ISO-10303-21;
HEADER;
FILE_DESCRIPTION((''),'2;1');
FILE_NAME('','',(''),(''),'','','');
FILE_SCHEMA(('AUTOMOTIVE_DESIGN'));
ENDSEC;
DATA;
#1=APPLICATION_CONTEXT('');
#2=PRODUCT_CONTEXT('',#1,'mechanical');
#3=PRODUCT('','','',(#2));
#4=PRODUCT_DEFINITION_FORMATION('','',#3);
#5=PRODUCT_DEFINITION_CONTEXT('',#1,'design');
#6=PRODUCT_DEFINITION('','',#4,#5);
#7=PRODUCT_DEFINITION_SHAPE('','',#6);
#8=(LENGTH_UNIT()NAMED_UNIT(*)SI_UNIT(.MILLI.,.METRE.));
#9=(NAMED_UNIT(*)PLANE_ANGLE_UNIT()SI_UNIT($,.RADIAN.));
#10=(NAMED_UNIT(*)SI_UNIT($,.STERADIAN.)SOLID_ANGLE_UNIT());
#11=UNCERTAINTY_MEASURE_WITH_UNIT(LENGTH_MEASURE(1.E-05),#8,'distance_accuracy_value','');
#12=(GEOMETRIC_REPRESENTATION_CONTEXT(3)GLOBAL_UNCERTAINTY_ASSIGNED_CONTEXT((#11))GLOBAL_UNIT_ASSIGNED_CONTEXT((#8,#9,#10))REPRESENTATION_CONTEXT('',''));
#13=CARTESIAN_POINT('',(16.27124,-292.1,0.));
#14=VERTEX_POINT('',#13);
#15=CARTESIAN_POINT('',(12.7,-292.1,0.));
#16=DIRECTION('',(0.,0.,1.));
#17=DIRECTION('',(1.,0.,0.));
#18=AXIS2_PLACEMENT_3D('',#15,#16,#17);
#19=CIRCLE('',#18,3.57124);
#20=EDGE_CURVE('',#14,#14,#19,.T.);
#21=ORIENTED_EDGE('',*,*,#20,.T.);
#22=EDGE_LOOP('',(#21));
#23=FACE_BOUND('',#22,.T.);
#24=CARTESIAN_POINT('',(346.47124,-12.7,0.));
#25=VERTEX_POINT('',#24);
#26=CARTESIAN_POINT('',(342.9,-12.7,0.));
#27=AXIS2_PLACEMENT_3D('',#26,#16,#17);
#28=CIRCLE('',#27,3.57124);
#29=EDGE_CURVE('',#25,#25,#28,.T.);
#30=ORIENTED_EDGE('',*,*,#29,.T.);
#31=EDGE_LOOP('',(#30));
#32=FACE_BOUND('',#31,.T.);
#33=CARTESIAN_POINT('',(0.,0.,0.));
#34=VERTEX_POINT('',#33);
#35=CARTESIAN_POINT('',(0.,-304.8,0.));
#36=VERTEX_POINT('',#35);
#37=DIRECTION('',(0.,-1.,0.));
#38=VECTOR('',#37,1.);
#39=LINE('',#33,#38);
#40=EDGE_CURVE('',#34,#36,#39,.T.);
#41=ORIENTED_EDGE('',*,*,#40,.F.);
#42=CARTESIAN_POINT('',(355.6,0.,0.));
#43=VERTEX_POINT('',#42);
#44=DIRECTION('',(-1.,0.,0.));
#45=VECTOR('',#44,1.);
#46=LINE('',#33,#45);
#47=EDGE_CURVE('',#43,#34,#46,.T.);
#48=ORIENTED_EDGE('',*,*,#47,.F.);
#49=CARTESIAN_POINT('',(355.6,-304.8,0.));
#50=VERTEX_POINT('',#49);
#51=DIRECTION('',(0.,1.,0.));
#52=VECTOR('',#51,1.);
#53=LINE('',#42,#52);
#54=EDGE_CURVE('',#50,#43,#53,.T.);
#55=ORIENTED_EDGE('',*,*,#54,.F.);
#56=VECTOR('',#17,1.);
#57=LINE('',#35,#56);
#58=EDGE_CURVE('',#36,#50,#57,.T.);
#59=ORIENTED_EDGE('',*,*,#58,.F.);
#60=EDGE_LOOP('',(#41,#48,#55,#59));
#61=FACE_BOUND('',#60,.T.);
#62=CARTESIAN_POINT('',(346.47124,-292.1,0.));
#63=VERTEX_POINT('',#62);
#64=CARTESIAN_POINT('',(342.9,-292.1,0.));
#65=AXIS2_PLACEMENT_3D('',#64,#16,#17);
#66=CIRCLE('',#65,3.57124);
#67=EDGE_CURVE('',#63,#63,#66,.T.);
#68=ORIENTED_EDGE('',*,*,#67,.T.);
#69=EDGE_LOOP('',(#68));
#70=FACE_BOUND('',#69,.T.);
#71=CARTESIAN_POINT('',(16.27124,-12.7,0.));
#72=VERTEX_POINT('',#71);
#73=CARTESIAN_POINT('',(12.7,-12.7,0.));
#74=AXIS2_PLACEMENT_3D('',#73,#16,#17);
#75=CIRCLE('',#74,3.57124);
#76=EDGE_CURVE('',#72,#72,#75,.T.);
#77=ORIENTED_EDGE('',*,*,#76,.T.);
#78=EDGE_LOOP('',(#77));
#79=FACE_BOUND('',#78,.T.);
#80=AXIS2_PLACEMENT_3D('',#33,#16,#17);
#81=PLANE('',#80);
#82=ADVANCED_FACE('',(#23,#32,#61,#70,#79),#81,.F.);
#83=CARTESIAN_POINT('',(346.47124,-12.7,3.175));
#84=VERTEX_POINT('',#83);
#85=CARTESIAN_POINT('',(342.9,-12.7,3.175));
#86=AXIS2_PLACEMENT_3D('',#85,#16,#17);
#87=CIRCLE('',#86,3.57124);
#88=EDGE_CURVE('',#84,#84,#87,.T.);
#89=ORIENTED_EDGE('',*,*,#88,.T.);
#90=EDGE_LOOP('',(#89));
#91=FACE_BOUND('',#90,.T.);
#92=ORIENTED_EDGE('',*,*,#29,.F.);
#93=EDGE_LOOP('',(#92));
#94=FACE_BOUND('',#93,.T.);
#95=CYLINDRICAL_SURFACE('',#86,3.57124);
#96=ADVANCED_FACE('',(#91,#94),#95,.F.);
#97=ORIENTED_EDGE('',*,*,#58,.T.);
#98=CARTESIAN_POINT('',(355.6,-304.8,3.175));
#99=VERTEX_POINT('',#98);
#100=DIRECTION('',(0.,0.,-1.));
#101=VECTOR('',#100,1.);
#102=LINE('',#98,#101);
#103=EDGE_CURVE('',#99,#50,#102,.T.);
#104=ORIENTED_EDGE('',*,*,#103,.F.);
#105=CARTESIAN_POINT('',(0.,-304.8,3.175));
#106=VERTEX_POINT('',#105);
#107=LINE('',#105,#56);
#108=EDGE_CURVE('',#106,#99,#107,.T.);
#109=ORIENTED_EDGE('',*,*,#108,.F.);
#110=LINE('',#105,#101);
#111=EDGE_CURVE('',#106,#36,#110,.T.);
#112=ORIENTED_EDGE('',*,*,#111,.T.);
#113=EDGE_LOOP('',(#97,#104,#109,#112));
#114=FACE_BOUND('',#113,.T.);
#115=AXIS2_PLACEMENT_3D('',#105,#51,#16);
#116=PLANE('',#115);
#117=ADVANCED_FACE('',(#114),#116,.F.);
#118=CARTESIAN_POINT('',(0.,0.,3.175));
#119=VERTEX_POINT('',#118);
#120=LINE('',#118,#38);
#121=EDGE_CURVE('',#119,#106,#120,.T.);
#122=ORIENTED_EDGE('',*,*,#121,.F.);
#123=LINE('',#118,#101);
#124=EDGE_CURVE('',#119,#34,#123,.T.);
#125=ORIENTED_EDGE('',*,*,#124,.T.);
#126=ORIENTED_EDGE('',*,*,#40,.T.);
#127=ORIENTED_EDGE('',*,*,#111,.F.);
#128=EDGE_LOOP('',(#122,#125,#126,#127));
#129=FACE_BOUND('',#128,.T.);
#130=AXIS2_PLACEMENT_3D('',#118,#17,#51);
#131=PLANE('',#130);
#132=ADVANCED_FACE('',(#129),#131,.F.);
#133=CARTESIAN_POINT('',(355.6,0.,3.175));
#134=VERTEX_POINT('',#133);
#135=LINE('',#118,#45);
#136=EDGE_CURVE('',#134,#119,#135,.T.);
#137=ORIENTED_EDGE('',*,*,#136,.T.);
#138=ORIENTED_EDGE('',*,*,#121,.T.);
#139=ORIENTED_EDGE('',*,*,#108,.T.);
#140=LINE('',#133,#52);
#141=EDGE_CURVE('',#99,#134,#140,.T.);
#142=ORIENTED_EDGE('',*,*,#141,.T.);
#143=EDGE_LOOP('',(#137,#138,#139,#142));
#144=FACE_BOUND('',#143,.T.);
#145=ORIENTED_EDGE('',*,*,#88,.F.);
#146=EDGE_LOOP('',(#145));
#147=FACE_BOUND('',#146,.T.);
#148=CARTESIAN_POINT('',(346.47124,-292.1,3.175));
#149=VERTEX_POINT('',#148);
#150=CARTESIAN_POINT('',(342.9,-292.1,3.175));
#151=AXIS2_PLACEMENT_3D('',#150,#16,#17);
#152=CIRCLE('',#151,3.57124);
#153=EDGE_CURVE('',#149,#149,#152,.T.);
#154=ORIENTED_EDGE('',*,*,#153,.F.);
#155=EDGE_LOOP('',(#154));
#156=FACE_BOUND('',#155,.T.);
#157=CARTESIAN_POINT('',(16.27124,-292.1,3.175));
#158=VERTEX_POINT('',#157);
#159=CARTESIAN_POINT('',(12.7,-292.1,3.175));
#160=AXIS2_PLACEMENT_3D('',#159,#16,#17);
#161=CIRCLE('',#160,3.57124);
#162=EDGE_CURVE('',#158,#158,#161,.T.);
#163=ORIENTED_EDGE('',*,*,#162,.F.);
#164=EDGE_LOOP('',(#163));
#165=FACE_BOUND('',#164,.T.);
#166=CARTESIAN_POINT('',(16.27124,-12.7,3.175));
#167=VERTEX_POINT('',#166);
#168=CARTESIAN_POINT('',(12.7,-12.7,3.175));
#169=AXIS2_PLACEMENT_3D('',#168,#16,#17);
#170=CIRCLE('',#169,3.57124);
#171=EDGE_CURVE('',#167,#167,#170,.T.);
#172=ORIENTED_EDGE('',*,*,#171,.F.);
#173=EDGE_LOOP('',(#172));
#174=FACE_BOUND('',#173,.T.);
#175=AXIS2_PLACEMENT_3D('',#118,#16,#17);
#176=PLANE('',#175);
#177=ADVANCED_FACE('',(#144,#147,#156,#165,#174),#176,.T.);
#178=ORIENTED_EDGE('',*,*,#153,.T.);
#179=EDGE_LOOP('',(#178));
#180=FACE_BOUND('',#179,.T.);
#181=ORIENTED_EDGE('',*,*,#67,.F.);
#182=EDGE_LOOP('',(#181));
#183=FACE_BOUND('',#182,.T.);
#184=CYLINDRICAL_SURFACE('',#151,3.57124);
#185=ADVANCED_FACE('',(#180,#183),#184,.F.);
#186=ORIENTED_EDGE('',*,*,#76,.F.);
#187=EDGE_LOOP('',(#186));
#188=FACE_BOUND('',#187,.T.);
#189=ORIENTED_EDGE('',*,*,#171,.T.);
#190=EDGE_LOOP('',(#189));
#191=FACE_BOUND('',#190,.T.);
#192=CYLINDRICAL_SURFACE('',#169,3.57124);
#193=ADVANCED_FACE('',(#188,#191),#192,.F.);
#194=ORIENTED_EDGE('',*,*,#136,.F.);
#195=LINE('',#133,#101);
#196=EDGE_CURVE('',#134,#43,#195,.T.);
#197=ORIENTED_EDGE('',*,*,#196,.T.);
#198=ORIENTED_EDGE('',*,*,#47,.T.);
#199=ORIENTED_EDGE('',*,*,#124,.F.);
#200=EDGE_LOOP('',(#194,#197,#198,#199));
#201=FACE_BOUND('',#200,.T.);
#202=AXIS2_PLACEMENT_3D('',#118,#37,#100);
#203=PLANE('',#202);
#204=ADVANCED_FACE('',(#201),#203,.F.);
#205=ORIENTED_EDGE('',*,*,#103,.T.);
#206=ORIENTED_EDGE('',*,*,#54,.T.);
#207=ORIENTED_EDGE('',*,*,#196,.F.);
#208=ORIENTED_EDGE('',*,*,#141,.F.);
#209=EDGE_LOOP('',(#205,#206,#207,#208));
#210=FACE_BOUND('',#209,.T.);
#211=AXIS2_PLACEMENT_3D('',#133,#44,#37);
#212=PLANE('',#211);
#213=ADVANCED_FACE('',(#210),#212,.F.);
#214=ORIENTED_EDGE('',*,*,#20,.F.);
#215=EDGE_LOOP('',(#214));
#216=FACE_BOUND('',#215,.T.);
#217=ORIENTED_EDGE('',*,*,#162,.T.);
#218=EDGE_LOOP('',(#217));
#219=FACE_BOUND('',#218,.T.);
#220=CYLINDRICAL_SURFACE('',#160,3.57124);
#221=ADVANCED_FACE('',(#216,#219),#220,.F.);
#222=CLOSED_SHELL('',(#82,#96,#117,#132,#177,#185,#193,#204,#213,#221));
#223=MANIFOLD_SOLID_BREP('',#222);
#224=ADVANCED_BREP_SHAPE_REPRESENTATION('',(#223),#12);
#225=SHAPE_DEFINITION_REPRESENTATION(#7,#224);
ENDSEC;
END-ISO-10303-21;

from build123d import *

# Parameters (mm, degrees)
SKETCH1_W               = 355.6
SKETCH1_H               = 304.8
BOSS_EXTRUDE1_DEPTH     = 3.175
F_1_4_CLEARANCE_HOLE1_D = 7.14248


with BuildPart() as part:
    # Sketch1 → Boss-Extrude1 (new body)
    with BuildSketch(Plane.XY):
        with Locations((177.8, -152.4)):
            Rectangle(SKETCH1_W, SKETCH1_H)
    extrude(amount=BOSS_EXTRUDE1_DEPTH)

    # 1/4 Clearance Hole1 (through all)
    with Locations(Plane.XY.offset(3.175)):
        with Locations((12.7, -12.7), (342.9, -12.7), (342.9, -292.1), (12.7, -292.1)):
            Hole(F_1_4_CLEARANCE_HOLE1_D / 2)


solid = part.part
